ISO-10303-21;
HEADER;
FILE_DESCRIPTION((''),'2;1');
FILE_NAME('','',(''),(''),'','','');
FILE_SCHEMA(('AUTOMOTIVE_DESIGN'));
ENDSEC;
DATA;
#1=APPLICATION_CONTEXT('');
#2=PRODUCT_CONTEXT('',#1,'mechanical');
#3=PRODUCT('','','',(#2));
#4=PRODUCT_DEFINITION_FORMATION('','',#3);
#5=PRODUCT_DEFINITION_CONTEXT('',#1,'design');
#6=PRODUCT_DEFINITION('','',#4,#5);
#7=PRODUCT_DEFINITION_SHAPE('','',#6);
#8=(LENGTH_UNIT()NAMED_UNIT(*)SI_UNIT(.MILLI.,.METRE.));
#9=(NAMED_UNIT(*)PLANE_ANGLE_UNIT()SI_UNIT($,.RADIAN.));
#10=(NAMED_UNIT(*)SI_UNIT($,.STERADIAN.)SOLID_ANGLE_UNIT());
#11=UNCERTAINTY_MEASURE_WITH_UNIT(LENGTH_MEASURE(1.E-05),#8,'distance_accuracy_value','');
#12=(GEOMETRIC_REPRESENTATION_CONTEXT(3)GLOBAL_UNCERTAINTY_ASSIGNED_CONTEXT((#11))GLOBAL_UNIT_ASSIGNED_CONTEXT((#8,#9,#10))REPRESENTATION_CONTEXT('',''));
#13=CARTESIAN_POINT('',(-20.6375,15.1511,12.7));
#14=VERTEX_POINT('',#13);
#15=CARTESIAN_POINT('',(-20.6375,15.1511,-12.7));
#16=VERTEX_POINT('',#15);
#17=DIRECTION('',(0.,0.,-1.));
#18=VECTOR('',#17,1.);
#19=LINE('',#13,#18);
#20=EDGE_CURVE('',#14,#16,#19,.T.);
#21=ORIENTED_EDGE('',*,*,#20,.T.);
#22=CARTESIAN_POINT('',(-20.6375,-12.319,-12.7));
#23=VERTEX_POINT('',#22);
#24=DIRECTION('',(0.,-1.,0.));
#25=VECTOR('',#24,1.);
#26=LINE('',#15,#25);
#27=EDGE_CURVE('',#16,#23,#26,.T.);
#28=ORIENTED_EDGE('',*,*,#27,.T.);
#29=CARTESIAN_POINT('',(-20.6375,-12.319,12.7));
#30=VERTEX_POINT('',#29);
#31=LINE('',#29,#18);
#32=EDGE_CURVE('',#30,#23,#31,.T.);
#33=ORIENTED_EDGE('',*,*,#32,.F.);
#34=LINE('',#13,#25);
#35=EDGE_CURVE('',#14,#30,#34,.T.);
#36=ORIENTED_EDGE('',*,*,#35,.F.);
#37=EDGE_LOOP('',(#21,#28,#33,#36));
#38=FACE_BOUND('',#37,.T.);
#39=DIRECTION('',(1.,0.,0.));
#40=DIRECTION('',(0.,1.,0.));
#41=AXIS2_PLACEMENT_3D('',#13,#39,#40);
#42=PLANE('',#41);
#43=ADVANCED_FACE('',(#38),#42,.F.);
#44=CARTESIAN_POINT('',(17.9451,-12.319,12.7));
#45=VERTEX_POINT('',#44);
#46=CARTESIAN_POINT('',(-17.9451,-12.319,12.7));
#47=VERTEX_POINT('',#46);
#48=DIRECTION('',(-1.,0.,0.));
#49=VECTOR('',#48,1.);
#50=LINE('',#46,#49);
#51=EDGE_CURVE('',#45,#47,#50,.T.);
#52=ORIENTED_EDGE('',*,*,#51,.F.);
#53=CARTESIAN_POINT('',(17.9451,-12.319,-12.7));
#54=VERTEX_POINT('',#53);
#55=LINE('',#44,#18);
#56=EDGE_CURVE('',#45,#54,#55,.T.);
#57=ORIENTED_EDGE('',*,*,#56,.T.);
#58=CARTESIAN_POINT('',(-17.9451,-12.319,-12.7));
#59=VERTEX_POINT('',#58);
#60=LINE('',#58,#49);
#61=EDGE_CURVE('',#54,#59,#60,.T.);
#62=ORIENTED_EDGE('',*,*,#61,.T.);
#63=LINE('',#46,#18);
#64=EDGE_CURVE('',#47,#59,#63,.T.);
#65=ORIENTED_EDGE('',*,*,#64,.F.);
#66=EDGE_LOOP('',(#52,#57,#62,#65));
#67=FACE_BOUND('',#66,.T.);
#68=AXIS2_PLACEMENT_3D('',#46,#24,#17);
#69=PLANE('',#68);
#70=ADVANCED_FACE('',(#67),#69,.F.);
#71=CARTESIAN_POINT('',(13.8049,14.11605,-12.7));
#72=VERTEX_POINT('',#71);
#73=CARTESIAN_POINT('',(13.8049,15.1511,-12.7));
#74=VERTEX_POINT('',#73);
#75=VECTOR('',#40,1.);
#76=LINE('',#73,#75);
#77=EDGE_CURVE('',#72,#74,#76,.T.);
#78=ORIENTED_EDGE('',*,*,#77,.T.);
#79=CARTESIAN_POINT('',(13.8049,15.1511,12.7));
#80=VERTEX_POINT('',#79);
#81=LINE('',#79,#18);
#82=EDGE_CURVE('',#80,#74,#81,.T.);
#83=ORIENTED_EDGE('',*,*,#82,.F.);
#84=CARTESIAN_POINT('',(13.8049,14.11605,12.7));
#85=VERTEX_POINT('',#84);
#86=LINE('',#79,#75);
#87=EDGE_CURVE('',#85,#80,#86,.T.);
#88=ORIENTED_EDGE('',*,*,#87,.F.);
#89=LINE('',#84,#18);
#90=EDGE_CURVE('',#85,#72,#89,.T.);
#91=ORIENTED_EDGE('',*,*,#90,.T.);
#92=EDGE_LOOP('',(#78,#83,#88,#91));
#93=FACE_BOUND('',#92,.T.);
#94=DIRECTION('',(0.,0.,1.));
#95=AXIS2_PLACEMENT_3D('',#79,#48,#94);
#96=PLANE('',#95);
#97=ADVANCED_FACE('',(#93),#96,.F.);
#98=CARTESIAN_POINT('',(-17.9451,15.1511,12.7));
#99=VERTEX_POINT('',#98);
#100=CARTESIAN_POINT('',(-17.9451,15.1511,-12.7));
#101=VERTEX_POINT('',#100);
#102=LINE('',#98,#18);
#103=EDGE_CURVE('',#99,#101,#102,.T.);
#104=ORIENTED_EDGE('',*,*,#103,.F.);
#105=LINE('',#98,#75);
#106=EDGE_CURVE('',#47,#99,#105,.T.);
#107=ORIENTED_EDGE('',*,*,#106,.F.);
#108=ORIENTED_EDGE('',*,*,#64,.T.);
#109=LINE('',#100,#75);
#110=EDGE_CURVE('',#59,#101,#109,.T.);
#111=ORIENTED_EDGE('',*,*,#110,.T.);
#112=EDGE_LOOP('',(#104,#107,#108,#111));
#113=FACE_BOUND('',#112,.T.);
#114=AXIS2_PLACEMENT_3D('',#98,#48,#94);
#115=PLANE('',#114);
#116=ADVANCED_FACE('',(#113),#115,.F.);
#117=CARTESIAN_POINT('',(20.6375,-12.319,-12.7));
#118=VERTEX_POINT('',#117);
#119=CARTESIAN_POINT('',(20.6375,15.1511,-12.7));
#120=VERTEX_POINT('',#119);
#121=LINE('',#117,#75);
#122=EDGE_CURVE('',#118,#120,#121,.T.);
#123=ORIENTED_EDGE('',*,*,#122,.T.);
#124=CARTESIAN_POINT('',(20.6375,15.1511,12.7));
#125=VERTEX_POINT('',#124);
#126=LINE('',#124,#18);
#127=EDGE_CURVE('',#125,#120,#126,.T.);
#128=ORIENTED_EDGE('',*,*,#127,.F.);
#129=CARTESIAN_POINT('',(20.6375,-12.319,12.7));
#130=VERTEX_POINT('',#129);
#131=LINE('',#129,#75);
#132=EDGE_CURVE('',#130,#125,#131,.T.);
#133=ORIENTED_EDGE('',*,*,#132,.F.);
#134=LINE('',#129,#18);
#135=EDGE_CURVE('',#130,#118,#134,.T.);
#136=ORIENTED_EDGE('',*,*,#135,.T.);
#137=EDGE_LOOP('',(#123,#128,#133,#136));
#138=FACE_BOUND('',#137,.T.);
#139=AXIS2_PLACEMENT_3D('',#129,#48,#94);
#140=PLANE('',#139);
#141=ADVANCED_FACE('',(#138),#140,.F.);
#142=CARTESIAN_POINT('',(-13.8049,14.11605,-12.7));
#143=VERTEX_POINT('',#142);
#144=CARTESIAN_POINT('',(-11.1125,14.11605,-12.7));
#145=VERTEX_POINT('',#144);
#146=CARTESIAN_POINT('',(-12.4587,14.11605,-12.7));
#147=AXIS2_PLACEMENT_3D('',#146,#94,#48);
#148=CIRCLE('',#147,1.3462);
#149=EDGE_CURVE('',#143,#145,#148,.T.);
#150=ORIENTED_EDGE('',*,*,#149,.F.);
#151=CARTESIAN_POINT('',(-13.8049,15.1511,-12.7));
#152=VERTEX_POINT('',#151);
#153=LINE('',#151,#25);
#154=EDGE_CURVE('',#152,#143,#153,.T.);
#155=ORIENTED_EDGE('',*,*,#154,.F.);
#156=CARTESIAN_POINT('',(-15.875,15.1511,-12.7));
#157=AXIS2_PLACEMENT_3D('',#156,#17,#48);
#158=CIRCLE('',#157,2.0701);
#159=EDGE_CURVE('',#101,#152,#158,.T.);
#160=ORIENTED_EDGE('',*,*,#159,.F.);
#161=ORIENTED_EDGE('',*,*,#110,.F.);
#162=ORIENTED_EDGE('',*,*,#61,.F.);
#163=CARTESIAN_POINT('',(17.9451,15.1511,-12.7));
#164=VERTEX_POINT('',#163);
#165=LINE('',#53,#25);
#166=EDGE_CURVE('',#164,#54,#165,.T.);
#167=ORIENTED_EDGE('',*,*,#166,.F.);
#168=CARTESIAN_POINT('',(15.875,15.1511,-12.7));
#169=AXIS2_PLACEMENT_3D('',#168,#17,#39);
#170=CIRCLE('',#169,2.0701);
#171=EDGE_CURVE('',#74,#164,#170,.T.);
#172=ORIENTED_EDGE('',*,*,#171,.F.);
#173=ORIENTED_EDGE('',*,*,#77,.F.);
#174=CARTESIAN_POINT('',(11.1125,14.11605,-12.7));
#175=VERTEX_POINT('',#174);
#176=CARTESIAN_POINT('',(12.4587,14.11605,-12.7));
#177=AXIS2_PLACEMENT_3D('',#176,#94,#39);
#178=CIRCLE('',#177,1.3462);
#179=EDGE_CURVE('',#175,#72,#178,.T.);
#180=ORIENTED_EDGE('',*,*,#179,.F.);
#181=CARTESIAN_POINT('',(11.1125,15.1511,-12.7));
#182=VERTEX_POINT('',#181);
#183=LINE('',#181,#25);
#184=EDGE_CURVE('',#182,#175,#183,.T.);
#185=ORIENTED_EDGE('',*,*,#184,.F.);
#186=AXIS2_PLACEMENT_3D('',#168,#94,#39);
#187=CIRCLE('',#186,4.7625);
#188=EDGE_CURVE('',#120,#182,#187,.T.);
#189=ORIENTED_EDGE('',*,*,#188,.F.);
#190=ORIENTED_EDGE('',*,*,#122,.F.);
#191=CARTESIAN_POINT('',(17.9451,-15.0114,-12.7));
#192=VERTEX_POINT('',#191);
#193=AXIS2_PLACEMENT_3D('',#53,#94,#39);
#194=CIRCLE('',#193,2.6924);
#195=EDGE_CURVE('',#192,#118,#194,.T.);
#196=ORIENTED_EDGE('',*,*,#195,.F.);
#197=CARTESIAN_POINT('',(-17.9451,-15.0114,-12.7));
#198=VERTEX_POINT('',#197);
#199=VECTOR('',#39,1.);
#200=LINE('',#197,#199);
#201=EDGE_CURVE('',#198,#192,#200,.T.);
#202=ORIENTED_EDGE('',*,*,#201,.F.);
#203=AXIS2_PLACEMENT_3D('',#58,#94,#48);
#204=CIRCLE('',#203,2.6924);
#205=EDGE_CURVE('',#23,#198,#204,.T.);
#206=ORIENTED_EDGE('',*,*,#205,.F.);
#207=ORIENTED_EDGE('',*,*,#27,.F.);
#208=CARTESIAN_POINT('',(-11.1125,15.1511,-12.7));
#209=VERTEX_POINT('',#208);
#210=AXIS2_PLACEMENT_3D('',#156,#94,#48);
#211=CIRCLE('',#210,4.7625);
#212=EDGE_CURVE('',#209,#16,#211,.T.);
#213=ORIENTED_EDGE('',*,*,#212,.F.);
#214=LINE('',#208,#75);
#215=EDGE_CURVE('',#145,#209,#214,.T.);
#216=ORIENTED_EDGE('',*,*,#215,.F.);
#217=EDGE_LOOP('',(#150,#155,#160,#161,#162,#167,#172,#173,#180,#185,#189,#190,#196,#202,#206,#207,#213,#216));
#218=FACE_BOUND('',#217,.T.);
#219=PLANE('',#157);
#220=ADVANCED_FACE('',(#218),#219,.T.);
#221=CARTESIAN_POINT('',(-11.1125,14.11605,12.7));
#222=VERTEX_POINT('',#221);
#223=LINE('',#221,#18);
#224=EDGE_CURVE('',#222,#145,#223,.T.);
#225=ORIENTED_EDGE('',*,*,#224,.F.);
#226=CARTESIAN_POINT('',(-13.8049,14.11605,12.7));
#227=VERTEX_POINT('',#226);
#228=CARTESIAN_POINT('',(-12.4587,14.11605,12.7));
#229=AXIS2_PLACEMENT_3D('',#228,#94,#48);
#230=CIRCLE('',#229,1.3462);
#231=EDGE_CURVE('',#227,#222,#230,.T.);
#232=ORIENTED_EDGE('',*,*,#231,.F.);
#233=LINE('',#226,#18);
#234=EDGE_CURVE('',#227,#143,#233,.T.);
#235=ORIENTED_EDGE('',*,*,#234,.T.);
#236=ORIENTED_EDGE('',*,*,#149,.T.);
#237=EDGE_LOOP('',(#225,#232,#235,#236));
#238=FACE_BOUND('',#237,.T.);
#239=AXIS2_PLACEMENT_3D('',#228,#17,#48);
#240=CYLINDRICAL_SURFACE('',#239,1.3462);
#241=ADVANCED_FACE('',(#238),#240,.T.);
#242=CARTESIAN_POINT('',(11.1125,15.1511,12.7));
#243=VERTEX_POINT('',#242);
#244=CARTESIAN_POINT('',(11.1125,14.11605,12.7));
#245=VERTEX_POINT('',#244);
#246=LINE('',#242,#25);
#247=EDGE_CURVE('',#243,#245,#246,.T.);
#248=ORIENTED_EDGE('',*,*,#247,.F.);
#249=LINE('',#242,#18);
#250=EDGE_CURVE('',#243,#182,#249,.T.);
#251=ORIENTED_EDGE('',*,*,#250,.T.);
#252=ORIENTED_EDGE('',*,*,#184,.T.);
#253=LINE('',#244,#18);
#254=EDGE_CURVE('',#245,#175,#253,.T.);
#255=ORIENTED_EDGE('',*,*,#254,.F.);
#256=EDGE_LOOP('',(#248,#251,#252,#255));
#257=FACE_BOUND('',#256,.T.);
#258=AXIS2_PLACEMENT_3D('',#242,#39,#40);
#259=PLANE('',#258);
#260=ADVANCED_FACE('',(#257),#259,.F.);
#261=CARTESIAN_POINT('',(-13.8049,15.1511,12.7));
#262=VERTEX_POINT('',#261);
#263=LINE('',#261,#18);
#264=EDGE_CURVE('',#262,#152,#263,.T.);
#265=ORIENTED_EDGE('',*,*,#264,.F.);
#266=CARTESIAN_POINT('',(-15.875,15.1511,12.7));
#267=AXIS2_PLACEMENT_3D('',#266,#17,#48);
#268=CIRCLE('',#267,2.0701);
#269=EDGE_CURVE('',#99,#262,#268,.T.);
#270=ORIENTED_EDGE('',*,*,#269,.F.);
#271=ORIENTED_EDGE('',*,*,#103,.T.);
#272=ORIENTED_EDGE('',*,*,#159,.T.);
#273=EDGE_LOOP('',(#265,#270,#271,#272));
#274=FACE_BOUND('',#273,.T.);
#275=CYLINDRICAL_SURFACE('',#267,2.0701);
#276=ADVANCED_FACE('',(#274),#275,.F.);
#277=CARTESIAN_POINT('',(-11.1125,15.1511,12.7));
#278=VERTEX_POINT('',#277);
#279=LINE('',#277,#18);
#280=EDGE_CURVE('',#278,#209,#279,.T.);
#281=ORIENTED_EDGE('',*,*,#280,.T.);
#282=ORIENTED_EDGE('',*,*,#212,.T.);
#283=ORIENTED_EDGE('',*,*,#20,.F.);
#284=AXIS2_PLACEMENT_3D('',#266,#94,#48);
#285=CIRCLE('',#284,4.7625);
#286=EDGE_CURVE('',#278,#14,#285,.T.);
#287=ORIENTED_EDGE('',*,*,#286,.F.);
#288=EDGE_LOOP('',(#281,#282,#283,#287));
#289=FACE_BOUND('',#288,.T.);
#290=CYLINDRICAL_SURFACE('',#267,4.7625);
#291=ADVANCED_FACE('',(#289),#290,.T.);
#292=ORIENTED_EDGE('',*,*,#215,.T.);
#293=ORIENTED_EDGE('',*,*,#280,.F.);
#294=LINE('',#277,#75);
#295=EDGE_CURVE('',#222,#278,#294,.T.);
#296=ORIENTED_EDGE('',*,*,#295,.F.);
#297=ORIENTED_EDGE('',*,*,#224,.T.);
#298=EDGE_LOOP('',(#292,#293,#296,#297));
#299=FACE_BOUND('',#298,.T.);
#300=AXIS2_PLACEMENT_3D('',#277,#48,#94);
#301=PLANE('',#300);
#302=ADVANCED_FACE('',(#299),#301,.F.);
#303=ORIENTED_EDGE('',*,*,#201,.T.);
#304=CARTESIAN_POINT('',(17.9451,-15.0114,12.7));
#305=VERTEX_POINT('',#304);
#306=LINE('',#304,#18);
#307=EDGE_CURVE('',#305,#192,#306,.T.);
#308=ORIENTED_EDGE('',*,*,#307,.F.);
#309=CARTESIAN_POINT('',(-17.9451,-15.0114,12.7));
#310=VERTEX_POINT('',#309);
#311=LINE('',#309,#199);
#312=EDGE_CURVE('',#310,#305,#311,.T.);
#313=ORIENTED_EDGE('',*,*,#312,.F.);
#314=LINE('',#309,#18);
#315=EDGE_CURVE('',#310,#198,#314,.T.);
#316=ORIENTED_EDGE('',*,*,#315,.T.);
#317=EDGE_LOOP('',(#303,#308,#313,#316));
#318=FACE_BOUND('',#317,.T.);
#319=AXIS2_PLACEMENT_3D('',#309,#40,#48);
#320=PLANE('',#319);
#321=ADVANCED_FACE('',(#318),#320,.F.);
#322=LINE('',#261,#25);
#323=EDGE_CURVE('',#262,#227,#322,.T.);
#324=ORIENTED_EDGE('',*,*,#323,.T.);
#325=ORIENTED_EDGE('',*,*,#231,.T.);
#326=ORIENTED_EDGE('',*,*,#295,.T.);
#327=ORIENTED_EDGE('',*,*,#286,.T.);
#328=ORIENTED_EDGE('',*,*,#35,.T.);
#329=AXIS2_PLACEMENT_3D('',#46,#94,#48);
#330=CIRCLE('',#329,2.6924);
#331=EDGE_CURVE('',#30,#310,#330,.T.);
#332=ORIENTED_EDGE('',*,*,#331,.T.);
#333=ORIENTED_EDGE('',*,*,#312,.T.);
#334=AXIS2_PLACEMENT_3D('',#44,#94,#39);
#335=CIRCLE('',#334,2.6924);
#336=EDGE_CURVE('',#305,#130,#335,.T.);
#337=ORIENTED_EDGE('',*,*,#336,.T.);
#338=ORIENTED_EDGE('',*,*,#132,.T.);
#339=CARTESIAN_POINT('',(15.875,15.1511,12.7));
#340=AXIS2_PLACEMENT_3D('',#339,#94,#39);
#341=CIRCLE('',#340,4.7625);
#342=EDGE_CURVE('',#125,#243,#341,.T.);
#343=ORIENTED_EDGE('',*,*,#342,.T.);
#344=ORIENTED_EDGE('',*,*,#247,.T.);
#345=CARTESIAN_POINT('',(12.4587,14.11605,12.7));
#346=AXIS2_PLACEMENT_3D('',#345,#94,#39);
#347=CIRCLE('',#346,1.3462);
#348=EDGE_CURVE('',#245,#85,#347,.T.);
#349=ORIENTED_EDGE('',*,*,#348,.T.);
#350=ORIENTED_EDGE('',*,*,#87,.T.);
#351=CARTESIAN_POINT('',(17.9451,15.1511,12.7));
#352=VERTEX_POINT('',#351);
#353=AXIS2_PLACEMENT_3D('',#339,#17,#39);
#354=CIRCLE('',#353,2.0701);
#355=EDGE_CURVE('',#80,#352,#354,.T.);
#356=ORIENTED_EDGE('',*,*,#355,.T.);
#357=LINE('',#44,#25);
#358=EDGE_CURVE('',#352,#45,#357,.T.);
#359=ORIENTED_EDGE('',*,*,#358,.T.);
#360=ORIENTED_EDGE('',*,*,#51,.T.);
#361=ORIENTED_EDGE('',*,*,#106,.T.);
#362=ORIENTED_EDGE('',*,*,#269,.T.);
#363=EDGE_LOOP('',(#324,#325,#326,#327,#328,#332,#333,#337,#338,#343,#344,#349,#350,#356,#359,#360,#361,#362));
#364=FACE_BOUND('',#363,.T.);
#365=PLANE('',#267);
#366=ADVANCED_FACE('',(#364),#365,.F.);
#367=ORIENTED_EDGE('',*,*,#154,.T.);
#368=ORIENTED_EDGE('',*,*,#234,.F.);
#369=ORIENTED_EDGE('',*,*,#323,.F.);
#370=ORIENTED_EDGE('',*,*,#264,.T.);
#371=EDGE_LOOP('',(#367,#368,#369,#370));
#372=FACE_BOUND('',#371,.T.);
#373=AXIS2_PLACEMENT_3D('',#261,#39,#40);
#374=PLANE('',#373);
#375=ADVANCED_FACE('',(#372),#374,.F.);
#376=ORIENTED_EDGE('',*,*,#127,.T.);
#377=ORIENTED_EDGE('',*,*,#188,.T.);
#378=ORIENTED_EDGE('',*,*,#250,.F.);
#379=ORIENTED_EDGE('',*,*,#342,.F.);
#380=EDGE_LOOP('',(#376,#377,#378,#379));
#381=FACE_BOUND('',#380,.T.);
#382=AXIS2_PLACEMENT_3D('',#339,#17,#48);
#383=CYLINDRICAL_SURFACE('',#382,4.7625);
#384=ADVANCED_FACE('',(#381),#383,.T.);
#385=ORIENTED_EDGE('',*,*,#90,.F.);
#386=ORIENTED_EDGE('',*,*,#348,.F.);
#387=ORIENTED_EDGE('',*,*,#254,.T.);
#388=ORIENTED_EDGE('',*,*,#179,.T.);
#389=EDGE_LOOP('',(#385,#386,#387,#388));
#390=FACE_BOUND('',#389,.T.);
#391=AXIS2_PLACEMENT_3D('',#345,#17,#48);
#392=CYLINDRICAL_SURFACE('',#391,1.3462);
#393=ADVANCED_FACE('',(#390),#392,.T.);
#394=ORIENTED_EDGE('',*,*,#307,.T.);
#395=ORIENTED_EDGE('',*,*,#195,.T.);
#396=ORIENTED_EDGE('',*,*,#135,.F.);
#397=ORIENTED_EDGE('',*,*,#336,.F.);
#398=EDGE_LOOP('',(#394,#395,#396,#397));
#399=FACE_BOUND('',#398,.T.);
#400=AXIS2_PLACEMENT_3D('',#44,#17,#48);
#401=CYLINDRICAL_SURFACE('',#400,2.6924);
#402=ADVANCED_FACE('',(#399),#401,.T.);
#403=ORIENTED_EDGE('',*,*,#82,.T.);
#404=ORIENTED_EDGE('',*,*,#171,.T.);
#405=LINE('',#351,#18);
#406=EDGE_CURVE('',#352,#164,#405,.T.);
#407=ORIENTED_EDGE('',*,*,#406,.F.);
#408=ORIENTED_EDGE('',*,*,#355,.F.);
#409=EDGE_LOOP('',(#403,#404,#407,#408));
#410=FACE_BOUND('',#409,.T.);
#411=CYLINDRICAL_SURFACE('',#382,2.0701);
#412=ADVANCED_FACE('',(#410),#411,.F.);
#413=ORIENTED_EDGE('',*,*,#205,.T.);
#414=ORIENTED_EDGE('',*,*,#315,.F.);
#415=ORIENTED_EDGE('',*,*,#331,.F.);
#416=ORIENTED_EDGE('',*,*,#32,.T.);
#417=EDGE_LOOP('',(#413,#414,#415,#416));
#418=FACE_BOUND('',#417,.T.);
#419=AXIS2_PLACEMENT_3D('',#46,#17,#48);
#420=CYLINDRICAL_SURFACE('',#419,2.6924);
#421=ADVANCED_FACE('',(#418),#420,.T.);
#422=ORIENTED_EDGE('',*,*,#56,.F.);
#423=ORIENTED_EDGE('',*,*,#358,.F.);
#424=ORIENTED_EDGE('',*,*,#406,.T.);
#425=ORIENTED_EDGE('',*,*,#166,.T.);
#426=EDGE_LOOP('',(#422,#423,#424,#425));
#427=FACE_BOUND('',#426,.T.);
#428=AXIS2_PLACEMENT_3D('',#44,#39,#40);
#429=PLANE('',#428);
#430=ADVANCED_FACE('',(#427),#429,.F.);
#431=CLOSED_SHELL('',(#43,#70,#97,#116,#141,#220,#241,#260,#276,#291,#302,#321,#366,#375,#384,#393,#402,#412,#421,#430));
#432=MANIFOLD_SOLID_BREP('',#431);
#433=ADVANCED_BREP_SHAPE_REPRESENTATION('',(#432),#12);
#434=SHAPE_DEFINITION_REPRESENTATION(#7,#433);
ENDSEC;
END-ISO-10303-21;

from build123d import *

# Parameters (mm, degrees)
BASE_EXTRUDE_DEPTH = 12.7


with BuildPart() as part:
    # Sketch1 → Base-Extrude (new, symmetric)
    with BuildSketch(Plane.XY):
        with BuildLine():
            Line((-20.6375, 15.1511), (-20.6375, -12.319))
            ThreePointArc((-20.6375, -12.319), (-19.848914298, -14.222814298), (-17.9451, -15.0114))
            Line((-17.9451, -15.0114), (17.9451, -15.0114))
            ThreePointArc((17.9451, -15.0114), (19.848914298, -14.222814298), (20.6375, -12.319))
            Line((20.6375, -12.319), (20.6375, 15.1511))
            ThreePointArc((20.6375, 15.1511), (15.875, 19.9136), (11.1125, 15.1511))
            Line((11.1125, 15.1511), (11.1125, 14.11605))
            ThreePointArc((11.1125, 14.11605), (12.4587, 12.76985), (13.8049, 14.11605))
            Line((13.8049, 14.11605), (13.8049, 15.1511))
            ThreePointArc((13.8049, 15.1511), (15.875, 17.2212), (17.9451, 15.1511))
            Line((17.9451, 15.1511), (17.9451, -12.319))
            Line((17.9451, -12.319), (-17.9451, -12.319))
            Line((-17.9451, -12.319), (-17.9451, 15.1511))
            ThreePointArc((-17.9451, 15.1511), (-15.875, 17.2212), (-13.8049, 15.1511))
            Line((-13.8049, 15.1511), (-13.8049, 14.11605))
            ThreePointArc((-13.8049, 14.11605), (-12.4587, 12.76985), (-11.1125, 14.11605))
            Line((-11.1125, 14.11605), (-11.1125, 15.1511))
            ThreePointArc((-11.1125, 15.1511), (-15.875, 19.9136), (-20.6375, 15.1511))
        make_face()
    extrude(amount=BASE_EXTRUDE_DEPTH, both=True)


solid = part.part
